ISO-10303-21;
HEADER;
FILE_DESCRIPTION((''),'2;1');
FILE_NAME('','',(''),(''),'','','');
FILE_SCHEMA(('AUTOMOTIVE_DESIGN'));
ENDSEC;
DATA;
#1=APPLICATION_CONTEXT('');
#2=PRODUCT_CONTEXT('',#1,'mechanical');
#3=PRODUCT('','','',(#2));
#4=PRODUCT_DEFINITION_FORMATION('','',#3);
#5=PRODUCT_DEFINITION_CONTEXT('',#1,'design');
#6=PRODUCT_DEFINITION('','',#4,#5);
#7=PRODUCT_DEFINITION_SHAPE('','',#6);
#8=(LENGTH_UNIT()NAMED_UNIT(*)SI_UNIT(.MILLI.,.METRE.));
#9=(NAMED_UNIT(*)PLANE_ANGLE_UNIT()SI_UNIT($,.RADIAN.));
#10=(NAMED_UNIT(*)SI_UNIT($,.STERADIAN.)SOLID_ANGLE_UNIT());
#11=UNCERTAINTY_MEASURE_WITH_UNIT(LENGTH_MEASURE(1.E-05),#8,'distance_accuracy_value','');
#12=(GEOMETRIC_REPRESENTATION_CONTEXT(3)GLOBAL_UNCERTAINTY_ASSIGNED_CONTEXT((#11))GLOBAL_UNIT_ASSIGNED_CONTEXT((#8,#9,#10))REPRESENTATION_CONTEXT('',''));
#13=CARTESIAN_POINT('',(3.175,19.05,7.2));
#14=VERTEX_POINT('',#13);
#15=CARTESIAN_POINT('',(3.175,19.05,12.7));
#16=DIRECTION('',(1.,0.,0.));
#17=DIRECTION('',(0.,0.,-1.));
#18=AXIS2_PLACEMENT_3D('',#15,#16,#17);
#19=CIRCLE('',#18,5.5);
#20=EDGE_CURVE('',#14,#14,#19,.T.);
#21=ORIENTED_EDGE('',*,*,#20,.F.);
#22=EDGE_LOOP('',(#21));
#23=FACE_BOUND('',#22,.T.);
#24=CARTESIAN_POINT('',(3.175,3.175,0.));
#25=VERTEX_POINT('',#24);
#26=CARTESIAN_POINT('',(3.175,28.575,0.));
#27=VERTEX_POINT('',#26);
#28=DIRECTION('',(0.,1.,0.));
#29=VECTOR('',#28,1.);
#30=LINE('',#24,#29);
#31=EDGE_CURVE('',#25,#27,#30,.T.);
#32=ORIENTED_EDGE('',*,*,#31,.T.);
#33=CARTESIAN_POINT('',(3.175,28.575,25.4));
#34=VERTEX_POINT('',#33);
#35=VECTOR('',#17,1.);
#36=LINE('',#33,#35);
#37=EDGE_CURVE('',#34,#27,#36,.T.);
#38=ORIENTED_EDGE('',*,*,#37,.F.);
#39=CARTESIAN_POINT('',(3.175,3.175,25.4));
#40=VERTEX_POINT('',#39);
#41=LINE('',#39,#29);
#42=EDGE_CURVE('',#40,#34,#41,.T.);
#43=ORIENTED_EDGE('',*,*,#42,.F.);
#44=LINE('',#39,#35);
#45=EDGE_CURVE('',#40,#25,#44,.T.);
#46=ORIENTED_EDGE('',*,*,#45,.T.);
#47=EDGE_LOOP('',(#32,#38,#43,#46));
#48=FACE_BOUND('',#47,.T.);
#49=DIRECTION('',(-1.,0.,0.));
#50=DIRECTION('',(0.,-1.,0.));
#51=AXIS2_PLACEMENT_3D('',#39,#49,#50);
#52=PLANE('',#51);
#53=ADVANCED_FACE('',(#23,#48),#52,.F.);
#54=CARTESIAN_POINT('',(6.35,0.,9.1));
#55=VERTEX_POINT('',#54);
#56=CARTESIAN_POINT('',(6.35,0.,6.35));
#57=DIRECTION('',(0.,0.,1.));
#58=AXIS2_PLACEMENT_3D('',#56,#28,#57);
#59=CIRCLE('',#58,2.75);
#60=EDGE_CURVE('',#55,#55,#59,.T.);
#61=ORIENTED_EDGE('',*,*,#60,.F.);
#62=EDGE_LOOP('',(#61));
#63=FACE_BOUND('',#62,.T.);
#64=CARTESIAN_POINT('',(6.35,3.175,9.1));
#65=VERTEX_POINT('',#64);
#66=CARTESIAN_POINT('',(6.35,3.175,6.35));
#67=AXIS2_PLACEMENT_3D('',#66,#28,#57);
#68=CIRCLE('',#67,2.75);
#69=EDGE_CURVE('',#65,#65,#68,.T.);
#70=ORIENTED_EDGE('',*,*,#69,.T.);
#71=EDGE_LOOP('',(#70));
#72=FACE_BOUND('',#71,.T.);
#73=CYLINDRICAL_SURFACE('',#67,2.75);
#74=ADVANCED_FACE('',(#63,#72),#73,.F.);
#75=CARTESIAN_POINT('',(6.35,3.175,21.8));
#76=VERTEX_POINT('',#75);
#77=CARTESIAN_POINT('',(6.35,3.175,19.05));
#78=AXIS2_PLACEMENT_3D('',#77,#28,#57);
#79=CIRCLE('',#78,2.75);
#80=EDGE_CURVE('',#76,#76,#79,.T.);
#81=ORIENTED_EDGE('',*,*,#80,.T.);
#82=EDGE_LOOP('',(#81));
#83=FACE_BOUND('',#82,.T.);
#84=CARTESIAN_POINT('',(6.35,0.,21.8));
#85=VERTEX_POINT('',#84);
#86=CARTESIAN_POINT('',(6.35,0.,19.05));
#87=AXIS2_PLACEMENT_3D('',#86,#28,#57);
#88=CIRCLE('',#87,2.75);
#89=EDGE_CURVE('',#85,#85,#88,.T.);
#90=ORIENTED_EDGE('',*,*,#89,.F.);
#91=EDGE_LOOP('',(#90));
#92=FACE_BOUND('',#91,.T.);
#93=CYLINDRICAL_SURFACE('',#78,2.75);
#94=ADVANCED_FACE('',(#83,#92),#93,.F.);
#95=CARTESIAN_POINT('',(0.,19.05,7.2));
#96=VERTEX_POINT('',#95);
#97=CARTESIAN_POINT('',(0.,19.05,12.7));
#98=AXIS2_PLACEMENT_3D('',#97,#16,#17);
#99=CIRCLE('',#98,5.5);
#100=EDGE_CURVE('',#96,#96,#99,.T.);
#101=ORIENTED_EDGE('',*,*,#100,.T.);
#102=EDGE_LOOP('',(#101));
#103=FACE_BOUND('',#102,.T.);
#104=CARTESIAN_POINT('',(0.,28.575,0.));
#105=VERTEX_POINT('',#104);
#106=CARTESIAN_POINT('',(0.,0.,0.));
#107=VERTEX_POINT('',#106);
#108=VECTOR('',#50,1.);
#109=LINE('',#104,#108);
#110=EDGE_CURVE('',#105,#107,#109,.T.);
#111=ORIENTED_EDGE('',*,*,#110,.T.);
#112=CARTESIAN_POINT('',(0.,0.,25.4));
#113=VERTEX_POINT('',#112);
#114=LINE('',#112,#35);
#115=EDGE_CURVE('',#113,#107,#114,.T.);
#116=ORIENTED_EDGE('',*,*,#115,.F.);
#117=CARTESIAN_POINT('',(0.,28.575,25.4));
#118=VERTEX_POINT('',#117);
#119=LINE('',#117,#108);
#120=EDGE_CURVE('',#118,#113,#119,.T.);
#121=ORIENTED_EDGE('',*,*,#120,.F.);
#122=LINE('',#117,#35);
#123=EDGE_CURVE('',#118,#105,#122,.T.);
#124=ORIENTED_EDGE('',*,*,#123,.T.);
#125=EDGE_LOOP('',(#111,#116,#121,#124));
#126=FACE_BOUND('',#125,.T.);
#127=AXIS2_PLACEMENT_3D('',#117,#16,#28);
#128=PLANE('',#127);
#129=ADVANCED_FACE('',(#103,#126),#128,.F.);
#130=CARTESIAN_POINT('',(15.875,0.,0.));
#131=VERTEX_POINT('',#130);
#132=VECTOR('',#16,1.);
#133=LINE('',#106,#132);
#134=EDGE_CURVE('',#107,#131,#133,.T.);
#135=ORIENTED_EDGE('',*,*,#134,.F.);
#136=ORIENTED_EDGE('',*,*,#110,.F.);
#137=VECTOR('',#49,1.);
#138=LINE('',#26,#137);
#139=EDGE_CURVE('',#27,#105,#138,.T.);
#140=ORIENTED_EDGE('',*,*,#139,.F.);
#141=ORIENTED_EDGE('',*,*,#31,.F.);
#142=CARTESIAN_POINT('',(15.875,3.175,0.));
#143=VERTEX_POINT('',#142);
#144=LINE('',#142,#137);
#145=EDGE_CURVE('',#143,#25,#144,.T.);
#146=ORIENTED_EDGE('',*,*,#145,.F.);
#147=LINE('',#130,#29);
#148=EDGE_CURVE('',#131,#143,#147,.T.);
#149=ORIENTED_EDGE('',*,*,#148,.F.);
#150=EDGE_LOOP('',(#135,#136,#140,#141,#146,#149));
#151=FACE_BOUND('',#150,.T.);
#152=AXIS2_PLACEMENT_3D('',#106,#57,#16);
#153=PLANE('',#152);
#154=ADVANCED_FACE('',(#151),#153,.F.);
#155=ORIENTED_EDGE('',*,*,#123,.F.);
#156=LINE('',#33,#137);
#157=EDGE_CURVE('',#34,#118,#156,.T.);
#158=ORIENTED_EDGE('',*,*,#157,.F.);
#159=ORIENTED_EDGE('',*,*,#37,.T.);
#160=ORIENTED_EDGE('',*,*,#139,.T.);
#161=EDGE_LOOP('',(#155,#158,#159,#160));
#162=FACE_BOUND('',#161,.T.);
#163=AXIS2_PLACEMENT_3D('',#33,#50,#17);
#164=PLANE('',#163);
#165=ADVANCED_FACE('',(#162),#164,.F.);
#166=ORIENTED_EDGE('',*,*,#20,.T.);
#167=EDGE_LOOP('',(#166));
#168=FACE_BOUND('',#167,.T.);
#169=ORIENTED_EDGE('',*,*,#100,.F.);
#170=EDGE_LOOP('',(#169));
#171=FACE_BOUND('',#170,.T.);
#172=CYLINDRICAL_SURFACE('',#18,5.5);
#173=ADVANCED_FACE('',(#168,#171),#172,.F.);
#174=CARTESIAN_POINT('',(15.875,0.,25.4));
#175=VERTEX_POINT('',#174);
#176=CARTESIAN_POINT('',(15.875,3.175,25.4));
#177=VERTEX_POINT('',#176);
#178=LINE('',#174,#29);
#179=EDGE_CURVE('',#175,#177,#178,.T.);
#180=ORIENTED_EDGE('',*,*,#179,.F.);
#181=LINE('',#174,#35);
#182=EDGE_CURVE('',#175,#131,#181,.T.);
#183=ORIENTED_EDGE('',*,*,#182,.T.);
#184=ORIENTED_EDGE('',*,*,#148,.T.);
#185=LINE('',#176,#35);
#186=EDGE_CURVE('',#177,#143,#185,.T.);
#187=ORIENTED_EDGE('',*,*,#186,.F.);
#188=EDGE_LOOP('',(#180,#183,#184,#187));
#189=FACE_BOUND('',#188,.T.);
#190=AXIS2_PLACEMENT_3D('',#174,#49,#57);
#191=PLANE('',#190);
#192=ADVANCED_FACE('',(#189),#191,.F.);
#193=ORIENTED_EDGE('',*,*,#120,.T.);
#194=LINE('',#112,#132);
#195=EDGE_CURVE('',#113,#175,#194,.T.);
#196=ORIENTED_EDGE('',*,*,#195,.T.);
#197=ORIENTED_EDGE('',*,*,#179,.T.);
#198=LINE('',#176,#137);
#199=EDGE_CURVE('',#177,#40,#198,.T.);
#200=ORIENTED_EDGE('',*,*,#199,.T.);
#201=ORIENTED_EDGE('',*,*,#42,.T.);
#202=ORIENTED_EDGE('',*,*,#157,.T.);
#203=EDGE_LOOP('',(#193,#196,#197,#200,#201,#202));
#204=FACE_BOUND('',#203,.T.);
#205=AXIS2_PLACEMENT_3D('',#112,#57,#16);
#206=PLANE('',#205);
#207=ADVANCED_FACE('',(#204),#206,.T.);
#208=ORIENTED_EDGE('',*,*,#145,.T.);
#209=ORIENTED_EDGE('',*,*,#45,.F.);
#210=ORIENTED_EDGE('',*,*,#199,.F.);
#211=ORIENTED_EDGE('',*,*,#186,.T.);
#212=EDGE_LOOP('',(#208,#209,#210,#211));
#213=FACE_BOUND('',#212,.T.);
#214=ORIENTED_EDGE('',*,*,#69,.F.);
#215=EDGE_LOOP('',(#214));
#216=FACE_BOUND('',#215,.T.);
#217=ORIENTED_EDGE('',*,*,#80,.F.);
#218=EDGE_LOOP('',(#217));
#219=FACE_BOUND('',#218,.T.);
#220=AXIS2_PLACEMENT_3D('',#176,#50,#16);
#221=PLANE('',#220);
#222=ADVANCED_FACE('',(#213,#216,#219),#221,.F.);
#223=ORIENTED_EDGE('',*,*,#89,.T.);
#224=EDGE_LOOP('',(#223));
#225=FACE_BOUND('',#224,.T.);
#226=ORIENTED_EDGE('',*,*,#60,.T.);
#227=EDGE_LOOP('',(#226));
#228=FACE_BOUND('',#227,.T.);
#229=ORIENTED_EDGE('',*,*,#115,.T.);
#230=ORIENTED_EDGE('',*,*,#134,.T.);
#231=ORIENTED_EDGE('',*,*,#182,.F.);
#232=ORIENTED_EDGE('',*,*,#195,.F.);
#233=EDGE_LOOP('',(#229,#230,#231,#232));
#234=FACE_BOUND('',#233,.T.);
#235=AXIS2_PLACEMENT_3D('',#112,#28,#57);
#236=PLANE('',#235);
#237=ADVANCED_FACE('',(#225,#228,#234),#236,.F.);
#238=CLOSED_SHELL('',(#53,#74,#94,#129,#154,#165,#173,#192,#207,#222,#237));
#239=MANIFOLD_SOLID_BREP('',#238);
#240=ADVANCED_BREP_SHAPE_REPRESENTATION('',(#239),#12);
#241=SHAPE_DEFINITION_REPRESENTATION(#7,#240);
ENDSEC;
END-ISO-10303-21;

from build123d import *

# Parameters (mm, degrees)
BOSS_EXTRUDE1_DEPTH   = 25.4
M10_CLEARANCE_HOLE1_D = 11
M5_CLEARANCE_HOLE2_D  = 5.5


with BuildPart() as part:
    # Sketch1 → Boss-Extrude1 (new body)
    with BuildSketch(Plane.XY):
        Polygon((0, 0), (15.875, 0), (15.875, 3.175), (3.175, 3.175), (3.175, 28.575), (0, 28.575), align=None)
    extrude(amount=BOSS_EXTRUDE1_DEPTH)

    # M10 Clearance Hole1 (through all)
    with Locations(Plane(origin=(3.175, 0, 0), x_dir=(0, 0, -1), z_dir=(1, 0, 0))):
        with Locations((-12.7, 19.05)):
            Hole(M10_CLEARANCE_HOLE1_D / 2)

    # M5 Clearance Hole2 (through all)
    with Locations(Plane(origin=(0, 3.175, 0), x_dir=(1, 0, 0), z_dir=(0, 1, 0))):
        with Locations((6.35, -19.05), (6.35, -6.35)):
            Hole(M5_CLEARANCE_HOLE2_D / 2)


solid = part.part
